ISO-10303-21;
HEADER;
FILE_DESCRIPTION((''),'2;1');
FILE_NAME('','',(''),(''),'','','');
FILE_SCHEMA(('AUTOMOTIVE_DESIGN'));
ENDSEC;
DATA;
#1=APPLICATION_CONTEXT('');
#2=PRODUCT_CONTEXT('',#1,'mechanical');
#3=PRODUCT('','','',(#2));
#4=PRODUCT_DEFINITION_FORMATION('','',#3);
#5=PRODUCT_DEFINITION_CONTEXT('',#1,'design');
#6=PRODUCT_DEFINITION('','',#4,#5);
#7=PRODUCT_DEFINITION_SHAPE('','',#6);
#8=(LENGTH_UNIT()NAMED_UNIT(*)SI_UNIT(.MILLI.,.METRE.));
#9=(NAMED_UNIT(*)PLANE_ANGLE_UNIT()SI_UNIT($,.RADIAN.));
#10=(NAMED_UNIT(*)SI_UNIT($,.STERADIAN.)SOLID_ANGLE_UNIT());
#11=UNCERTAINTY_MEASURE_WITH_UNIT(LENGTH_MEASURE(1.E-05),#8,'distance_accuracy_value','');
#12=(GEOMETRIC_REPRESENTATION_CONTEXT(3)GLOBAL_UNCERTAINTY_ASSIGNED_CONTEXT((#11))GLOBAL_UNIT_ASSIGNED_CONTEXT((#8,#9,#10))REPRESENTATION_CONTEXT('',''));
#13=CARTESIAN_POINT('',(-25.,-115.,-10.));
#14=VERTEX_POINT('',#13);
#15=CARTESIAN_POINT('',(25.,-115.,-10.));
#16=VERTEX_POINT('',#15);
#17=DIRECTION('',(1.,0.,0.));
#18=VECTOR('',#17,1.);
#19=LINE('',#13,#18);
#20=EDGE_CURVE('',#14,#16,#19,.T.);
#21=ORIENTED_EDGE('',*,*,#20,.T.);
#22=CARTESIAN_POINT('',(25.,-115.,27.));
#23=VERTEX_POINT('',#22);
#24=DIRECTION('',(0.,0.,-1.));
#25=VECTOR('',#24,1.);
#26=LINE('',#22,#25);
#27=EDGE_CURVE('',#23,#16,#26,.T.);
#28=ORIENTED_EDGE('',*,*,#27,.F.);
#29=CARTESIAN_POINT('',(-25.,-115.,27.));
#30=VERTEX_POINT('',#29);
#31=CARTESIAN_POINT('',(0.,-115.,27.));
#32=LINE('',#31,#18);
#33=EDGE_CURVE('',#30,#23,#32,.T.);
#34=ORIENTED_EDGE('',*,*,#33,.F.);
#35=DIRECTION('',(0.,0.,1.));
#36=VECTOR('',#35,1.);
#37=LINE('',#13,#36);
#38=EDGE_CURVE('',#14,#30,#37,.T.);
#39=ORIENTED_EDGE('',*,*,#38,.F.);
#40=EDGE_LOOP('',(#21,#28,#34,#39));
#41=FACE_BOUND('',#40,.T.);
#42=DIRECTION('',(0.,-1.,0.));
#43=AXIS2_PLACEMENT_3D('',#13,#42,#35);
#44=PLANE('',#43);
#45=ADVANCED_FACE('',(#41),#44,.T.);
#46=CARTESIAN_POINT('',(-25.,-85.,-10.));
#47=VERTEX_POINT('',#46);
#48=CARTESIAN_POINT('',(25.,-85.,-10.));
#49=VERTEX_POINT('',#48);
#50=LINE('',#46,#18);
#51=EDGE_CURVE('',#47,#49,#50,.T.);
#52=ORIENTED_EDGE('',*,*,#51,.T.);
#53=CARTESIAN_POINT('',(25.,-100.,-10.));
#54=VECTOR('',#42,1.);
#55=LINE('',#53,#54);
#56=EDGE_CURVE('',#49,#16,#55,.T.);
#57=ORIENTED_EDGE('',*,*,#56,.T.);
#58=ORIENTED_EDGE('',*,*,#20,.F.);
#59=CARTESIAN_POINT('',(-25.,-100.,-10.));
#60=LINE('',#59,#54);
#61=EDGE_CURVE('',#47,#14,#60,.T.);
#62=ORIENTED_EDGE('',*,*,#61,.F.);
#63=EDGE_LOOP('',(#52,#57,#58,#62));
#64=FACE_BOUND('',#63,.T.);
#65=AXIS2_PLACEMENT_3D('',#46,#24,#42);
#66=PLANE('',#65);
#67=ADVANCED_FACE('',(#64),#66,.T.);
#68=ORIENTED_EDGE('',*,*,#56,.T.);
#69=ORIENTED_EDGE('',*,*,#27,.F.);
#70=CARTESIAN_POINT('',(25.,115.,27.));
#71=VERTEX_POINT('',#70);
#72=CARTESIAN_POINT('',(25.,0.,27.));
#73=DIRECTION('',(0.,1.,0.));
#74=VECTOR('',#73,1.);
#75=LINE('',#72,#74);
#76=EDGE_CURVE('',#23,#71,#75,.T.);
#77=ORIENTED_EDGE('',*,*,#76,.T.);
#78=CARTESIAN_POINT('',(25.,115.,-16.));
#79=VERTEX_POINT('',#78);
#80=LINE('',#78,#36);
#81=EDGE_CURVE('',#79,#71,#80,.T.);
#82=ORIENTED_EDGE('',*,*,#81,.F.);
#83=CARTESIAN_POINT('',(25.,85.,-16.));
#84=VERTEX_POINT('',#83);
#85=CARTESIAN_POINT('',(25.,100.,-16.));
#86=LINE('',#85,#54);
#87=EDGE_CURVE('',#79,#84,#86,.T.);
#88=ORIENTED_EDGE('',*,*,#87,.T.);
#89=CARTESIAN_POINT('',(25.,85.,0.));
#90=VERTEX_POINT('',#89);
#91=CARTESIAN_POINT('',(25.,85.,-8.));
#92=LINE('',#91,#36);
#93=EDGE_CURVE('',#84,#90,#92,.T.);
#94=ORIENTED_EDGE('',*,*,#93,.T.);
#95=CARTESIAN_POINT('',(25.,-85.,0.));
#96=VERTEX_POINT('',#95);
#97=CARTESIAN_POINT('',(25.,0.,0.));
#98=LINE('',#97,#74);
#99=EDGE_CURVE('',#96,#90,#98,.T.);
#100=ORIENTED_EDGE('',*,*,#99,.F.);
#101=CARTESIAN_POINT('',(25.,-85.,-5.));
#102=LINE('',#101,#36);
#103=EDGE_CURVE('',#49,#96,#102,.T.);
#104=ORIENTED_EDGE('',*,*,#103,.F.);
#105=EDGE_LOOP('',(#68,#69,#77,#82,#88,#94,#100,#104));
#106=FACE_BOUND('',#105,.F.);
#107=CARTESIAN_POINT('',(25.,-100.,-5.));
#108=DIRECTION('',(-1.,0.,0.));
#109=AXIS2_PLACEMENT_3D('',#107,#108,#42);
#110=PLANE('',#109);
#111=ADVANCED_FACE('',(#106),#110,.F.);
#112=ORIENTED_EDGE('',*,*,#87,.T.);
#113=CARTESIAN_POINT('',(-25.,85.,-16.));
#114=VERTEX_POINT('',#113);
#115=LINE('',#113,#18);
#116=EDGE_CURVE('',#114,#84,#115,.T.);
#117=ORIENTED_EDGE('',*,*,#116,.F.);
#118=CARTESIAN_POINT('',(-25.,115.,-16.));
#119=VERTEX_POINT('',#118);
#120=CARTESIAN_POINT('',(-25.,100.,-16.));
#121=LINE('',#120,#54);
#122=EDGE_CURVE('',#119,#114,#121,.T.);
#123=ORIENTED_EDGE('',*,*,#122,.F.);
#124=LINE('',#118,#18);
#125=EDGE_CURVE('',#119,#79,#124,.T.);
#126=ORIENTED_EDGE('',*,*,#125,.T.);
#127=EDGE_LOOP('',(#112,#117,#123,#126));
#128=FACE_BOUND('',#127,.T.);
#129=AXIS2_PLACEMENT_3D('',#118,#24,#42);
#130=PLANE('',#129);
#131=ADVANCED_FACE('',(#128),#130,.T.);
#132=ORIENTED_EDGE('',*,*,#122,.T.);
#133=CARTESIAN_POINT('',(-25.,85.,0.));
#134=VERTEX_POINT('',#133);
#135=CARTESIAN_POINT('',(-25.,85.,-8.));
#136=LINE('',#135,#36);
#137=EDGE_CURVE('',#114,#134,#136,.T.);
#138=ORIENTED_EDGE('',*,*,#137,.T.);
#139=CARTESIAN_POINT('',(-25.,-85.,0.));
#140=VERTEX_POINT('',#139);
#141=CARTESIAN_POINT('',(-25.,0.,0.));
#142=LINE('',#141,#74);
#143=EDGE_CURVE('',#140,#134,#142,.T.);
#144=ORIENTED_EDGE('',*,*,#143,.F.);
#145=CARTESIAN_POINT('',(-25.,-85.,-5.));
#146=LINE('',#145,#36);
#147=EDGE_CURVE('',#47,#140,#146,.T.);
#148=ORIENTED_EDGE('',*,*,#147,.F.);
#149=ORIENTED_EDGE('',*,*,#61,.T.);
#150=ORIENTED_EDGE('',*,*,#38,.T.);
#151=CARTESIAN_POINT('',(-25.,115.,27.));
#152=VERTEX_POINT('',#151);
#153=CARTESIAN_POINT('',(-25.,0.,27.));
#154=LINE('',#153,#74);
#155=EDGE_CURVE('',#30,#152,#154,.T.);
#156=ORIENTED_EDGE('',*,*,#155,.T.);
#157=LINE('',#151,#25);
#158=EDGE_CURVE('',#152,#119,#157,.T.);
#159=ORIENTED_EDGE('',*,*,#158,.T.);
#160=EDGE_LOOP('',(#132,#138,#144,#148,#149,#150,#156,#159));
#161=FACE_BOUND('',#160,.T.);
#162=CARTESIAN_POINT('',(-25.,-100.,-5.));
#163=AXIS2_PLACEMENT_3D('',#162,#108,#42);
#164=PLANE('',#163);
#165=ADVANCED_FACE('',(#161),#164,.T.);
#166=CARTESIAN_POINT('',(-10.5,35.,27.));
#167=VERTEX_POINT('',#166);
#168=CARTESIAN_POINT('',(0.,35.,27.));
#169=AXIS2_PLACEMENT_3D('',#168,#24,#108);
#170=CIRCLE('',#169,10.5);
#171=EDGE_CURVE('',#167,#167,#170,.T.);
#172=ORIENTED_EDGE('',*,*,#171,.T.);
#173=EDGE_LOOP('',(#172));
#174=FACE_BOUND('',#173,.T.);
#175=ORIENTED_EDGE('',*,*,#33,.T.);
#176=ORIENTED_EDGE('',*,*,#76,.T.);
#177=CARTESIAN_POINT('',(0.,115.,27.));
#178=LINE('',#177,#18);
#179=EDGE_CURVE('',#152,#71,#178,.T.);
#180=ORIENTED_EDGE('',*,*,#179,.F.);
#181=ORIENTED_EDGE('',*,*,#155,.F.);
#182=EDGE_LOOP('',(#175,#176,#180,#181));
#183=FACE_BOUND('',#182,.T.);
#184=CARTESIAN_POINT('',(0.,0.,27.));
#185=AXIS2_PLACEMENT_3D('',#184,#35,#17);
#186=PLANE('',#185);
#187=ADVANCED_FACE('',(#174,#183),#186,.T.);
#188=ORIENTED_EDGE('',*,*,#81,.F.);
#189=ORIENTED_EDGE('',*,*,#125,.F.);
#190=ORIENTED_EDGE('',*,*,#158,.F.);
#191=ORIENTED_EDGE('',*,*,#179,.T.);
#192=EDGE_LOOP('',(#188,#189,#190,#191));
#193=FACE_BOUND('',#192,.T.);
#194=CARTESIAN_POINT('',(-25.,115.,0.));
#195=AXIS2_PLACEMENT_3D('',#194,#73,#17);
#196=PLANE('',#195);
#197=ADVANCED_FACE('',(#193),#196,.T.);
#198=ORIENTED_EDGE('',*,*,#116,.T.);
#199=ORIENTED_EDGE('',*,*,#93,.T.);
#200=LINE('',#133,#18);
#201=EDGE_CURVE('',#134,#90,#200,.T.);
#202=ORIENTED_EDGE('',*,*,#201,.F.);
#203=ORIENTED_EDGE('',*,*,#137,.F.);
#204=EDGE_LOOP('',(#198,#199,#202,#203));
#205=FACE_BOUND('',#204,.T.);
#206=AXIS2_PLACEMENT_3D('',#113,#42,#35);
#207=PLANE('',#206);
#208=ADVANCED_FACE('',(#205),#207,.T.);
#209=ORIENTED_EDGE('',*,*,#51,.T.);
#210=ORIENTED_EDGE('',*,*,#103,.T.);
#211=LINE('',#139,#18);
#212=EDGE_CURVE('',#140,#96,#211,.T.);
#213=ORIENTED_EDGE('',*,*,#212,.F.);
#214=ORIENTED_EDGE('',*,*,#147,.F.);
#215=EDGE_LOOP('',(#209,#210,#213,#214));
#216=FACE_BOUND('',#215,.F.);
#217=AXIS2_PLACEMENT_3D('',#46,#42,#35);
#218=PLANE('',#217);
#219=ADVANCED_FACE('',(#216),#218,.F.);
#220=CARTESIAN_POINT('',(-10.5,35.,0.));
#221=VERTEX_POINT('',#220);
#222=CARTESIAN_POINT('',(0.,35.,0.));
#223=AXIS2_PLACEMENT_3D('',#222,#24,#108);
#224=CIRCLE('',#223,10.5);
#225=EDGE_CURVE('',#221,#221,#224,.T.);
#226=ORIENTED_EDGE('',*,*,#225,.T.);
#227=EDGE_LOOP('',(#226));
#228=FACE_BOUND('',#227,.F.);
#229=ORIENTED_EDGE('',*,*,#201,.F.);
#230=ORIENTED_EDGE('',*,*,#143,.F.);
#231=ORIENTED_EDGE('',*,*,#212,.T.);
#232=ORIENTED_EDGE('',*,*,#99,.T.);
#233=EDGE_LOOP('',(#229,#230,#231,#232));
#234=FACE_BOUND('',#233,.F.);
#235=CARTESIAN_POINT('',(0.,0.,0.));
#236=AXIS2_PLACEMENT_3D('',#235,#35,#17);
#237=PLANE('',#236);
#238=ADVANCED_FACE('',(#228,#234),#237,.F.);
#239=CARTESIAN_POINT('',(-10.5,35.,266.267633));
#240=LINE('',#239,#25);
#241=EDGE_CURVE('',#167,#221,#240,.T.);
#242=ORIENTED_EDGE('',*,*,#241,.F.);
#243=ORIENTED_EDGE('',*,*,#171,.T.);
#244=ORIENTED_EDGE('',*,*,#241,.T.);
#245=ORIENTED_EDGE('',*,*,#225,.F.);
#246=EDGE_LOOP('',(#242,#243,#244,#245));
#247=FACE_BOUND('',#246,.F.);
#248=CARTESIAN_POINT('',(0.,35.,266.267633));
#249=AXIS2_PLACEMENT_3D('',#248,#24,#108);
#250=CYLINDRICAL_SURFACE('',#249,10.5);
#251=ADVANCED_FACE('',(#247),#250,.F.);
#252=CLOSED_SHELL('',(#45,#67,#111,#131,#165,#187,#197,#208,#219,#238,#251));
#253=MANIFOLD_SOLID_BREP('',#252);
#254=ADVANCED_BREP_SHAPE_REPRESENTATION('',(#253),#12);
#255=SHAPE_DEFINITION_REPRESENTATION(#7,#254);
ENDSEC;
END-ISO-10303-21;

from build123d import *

# Parameters (mm, degrees)
F0_W     = 50
F0_H     = 230
F1_DEPTH = 27
F2_W     = 30
F2_H     = 10
F2_H_2   = 16
F3_DEPTH = 50
F5_D     = 21


with BuildPart() as f1:
    # F0 (on Top) → F1 (new body)
    with BuildSketch(Plane.XY):
        Rectangle(F0_W, F0_H)
    extrude(amount=F1_DEPTH)

    # F2 (on face) → F3 (join, through all)
    with BuildSketch(Plane(origin=(-25, 0, 0), x_dir=(0, -1, 0), z_dir=(-1, 0, 0))):
        with Locations((100, -5)):
            Rectangle(F2_W, F2_H)
        with Locations((-100, -8)):
            Rectangle(F2_W, F2_H_2)
    extrude(amount=-F3_DEPTH)

    # F5 (through all)
    with Locations(Plane.XY.offset(27)):
        with Locations((0, 35)):
            Hole(F5_D / 2)


solid = f1.part
